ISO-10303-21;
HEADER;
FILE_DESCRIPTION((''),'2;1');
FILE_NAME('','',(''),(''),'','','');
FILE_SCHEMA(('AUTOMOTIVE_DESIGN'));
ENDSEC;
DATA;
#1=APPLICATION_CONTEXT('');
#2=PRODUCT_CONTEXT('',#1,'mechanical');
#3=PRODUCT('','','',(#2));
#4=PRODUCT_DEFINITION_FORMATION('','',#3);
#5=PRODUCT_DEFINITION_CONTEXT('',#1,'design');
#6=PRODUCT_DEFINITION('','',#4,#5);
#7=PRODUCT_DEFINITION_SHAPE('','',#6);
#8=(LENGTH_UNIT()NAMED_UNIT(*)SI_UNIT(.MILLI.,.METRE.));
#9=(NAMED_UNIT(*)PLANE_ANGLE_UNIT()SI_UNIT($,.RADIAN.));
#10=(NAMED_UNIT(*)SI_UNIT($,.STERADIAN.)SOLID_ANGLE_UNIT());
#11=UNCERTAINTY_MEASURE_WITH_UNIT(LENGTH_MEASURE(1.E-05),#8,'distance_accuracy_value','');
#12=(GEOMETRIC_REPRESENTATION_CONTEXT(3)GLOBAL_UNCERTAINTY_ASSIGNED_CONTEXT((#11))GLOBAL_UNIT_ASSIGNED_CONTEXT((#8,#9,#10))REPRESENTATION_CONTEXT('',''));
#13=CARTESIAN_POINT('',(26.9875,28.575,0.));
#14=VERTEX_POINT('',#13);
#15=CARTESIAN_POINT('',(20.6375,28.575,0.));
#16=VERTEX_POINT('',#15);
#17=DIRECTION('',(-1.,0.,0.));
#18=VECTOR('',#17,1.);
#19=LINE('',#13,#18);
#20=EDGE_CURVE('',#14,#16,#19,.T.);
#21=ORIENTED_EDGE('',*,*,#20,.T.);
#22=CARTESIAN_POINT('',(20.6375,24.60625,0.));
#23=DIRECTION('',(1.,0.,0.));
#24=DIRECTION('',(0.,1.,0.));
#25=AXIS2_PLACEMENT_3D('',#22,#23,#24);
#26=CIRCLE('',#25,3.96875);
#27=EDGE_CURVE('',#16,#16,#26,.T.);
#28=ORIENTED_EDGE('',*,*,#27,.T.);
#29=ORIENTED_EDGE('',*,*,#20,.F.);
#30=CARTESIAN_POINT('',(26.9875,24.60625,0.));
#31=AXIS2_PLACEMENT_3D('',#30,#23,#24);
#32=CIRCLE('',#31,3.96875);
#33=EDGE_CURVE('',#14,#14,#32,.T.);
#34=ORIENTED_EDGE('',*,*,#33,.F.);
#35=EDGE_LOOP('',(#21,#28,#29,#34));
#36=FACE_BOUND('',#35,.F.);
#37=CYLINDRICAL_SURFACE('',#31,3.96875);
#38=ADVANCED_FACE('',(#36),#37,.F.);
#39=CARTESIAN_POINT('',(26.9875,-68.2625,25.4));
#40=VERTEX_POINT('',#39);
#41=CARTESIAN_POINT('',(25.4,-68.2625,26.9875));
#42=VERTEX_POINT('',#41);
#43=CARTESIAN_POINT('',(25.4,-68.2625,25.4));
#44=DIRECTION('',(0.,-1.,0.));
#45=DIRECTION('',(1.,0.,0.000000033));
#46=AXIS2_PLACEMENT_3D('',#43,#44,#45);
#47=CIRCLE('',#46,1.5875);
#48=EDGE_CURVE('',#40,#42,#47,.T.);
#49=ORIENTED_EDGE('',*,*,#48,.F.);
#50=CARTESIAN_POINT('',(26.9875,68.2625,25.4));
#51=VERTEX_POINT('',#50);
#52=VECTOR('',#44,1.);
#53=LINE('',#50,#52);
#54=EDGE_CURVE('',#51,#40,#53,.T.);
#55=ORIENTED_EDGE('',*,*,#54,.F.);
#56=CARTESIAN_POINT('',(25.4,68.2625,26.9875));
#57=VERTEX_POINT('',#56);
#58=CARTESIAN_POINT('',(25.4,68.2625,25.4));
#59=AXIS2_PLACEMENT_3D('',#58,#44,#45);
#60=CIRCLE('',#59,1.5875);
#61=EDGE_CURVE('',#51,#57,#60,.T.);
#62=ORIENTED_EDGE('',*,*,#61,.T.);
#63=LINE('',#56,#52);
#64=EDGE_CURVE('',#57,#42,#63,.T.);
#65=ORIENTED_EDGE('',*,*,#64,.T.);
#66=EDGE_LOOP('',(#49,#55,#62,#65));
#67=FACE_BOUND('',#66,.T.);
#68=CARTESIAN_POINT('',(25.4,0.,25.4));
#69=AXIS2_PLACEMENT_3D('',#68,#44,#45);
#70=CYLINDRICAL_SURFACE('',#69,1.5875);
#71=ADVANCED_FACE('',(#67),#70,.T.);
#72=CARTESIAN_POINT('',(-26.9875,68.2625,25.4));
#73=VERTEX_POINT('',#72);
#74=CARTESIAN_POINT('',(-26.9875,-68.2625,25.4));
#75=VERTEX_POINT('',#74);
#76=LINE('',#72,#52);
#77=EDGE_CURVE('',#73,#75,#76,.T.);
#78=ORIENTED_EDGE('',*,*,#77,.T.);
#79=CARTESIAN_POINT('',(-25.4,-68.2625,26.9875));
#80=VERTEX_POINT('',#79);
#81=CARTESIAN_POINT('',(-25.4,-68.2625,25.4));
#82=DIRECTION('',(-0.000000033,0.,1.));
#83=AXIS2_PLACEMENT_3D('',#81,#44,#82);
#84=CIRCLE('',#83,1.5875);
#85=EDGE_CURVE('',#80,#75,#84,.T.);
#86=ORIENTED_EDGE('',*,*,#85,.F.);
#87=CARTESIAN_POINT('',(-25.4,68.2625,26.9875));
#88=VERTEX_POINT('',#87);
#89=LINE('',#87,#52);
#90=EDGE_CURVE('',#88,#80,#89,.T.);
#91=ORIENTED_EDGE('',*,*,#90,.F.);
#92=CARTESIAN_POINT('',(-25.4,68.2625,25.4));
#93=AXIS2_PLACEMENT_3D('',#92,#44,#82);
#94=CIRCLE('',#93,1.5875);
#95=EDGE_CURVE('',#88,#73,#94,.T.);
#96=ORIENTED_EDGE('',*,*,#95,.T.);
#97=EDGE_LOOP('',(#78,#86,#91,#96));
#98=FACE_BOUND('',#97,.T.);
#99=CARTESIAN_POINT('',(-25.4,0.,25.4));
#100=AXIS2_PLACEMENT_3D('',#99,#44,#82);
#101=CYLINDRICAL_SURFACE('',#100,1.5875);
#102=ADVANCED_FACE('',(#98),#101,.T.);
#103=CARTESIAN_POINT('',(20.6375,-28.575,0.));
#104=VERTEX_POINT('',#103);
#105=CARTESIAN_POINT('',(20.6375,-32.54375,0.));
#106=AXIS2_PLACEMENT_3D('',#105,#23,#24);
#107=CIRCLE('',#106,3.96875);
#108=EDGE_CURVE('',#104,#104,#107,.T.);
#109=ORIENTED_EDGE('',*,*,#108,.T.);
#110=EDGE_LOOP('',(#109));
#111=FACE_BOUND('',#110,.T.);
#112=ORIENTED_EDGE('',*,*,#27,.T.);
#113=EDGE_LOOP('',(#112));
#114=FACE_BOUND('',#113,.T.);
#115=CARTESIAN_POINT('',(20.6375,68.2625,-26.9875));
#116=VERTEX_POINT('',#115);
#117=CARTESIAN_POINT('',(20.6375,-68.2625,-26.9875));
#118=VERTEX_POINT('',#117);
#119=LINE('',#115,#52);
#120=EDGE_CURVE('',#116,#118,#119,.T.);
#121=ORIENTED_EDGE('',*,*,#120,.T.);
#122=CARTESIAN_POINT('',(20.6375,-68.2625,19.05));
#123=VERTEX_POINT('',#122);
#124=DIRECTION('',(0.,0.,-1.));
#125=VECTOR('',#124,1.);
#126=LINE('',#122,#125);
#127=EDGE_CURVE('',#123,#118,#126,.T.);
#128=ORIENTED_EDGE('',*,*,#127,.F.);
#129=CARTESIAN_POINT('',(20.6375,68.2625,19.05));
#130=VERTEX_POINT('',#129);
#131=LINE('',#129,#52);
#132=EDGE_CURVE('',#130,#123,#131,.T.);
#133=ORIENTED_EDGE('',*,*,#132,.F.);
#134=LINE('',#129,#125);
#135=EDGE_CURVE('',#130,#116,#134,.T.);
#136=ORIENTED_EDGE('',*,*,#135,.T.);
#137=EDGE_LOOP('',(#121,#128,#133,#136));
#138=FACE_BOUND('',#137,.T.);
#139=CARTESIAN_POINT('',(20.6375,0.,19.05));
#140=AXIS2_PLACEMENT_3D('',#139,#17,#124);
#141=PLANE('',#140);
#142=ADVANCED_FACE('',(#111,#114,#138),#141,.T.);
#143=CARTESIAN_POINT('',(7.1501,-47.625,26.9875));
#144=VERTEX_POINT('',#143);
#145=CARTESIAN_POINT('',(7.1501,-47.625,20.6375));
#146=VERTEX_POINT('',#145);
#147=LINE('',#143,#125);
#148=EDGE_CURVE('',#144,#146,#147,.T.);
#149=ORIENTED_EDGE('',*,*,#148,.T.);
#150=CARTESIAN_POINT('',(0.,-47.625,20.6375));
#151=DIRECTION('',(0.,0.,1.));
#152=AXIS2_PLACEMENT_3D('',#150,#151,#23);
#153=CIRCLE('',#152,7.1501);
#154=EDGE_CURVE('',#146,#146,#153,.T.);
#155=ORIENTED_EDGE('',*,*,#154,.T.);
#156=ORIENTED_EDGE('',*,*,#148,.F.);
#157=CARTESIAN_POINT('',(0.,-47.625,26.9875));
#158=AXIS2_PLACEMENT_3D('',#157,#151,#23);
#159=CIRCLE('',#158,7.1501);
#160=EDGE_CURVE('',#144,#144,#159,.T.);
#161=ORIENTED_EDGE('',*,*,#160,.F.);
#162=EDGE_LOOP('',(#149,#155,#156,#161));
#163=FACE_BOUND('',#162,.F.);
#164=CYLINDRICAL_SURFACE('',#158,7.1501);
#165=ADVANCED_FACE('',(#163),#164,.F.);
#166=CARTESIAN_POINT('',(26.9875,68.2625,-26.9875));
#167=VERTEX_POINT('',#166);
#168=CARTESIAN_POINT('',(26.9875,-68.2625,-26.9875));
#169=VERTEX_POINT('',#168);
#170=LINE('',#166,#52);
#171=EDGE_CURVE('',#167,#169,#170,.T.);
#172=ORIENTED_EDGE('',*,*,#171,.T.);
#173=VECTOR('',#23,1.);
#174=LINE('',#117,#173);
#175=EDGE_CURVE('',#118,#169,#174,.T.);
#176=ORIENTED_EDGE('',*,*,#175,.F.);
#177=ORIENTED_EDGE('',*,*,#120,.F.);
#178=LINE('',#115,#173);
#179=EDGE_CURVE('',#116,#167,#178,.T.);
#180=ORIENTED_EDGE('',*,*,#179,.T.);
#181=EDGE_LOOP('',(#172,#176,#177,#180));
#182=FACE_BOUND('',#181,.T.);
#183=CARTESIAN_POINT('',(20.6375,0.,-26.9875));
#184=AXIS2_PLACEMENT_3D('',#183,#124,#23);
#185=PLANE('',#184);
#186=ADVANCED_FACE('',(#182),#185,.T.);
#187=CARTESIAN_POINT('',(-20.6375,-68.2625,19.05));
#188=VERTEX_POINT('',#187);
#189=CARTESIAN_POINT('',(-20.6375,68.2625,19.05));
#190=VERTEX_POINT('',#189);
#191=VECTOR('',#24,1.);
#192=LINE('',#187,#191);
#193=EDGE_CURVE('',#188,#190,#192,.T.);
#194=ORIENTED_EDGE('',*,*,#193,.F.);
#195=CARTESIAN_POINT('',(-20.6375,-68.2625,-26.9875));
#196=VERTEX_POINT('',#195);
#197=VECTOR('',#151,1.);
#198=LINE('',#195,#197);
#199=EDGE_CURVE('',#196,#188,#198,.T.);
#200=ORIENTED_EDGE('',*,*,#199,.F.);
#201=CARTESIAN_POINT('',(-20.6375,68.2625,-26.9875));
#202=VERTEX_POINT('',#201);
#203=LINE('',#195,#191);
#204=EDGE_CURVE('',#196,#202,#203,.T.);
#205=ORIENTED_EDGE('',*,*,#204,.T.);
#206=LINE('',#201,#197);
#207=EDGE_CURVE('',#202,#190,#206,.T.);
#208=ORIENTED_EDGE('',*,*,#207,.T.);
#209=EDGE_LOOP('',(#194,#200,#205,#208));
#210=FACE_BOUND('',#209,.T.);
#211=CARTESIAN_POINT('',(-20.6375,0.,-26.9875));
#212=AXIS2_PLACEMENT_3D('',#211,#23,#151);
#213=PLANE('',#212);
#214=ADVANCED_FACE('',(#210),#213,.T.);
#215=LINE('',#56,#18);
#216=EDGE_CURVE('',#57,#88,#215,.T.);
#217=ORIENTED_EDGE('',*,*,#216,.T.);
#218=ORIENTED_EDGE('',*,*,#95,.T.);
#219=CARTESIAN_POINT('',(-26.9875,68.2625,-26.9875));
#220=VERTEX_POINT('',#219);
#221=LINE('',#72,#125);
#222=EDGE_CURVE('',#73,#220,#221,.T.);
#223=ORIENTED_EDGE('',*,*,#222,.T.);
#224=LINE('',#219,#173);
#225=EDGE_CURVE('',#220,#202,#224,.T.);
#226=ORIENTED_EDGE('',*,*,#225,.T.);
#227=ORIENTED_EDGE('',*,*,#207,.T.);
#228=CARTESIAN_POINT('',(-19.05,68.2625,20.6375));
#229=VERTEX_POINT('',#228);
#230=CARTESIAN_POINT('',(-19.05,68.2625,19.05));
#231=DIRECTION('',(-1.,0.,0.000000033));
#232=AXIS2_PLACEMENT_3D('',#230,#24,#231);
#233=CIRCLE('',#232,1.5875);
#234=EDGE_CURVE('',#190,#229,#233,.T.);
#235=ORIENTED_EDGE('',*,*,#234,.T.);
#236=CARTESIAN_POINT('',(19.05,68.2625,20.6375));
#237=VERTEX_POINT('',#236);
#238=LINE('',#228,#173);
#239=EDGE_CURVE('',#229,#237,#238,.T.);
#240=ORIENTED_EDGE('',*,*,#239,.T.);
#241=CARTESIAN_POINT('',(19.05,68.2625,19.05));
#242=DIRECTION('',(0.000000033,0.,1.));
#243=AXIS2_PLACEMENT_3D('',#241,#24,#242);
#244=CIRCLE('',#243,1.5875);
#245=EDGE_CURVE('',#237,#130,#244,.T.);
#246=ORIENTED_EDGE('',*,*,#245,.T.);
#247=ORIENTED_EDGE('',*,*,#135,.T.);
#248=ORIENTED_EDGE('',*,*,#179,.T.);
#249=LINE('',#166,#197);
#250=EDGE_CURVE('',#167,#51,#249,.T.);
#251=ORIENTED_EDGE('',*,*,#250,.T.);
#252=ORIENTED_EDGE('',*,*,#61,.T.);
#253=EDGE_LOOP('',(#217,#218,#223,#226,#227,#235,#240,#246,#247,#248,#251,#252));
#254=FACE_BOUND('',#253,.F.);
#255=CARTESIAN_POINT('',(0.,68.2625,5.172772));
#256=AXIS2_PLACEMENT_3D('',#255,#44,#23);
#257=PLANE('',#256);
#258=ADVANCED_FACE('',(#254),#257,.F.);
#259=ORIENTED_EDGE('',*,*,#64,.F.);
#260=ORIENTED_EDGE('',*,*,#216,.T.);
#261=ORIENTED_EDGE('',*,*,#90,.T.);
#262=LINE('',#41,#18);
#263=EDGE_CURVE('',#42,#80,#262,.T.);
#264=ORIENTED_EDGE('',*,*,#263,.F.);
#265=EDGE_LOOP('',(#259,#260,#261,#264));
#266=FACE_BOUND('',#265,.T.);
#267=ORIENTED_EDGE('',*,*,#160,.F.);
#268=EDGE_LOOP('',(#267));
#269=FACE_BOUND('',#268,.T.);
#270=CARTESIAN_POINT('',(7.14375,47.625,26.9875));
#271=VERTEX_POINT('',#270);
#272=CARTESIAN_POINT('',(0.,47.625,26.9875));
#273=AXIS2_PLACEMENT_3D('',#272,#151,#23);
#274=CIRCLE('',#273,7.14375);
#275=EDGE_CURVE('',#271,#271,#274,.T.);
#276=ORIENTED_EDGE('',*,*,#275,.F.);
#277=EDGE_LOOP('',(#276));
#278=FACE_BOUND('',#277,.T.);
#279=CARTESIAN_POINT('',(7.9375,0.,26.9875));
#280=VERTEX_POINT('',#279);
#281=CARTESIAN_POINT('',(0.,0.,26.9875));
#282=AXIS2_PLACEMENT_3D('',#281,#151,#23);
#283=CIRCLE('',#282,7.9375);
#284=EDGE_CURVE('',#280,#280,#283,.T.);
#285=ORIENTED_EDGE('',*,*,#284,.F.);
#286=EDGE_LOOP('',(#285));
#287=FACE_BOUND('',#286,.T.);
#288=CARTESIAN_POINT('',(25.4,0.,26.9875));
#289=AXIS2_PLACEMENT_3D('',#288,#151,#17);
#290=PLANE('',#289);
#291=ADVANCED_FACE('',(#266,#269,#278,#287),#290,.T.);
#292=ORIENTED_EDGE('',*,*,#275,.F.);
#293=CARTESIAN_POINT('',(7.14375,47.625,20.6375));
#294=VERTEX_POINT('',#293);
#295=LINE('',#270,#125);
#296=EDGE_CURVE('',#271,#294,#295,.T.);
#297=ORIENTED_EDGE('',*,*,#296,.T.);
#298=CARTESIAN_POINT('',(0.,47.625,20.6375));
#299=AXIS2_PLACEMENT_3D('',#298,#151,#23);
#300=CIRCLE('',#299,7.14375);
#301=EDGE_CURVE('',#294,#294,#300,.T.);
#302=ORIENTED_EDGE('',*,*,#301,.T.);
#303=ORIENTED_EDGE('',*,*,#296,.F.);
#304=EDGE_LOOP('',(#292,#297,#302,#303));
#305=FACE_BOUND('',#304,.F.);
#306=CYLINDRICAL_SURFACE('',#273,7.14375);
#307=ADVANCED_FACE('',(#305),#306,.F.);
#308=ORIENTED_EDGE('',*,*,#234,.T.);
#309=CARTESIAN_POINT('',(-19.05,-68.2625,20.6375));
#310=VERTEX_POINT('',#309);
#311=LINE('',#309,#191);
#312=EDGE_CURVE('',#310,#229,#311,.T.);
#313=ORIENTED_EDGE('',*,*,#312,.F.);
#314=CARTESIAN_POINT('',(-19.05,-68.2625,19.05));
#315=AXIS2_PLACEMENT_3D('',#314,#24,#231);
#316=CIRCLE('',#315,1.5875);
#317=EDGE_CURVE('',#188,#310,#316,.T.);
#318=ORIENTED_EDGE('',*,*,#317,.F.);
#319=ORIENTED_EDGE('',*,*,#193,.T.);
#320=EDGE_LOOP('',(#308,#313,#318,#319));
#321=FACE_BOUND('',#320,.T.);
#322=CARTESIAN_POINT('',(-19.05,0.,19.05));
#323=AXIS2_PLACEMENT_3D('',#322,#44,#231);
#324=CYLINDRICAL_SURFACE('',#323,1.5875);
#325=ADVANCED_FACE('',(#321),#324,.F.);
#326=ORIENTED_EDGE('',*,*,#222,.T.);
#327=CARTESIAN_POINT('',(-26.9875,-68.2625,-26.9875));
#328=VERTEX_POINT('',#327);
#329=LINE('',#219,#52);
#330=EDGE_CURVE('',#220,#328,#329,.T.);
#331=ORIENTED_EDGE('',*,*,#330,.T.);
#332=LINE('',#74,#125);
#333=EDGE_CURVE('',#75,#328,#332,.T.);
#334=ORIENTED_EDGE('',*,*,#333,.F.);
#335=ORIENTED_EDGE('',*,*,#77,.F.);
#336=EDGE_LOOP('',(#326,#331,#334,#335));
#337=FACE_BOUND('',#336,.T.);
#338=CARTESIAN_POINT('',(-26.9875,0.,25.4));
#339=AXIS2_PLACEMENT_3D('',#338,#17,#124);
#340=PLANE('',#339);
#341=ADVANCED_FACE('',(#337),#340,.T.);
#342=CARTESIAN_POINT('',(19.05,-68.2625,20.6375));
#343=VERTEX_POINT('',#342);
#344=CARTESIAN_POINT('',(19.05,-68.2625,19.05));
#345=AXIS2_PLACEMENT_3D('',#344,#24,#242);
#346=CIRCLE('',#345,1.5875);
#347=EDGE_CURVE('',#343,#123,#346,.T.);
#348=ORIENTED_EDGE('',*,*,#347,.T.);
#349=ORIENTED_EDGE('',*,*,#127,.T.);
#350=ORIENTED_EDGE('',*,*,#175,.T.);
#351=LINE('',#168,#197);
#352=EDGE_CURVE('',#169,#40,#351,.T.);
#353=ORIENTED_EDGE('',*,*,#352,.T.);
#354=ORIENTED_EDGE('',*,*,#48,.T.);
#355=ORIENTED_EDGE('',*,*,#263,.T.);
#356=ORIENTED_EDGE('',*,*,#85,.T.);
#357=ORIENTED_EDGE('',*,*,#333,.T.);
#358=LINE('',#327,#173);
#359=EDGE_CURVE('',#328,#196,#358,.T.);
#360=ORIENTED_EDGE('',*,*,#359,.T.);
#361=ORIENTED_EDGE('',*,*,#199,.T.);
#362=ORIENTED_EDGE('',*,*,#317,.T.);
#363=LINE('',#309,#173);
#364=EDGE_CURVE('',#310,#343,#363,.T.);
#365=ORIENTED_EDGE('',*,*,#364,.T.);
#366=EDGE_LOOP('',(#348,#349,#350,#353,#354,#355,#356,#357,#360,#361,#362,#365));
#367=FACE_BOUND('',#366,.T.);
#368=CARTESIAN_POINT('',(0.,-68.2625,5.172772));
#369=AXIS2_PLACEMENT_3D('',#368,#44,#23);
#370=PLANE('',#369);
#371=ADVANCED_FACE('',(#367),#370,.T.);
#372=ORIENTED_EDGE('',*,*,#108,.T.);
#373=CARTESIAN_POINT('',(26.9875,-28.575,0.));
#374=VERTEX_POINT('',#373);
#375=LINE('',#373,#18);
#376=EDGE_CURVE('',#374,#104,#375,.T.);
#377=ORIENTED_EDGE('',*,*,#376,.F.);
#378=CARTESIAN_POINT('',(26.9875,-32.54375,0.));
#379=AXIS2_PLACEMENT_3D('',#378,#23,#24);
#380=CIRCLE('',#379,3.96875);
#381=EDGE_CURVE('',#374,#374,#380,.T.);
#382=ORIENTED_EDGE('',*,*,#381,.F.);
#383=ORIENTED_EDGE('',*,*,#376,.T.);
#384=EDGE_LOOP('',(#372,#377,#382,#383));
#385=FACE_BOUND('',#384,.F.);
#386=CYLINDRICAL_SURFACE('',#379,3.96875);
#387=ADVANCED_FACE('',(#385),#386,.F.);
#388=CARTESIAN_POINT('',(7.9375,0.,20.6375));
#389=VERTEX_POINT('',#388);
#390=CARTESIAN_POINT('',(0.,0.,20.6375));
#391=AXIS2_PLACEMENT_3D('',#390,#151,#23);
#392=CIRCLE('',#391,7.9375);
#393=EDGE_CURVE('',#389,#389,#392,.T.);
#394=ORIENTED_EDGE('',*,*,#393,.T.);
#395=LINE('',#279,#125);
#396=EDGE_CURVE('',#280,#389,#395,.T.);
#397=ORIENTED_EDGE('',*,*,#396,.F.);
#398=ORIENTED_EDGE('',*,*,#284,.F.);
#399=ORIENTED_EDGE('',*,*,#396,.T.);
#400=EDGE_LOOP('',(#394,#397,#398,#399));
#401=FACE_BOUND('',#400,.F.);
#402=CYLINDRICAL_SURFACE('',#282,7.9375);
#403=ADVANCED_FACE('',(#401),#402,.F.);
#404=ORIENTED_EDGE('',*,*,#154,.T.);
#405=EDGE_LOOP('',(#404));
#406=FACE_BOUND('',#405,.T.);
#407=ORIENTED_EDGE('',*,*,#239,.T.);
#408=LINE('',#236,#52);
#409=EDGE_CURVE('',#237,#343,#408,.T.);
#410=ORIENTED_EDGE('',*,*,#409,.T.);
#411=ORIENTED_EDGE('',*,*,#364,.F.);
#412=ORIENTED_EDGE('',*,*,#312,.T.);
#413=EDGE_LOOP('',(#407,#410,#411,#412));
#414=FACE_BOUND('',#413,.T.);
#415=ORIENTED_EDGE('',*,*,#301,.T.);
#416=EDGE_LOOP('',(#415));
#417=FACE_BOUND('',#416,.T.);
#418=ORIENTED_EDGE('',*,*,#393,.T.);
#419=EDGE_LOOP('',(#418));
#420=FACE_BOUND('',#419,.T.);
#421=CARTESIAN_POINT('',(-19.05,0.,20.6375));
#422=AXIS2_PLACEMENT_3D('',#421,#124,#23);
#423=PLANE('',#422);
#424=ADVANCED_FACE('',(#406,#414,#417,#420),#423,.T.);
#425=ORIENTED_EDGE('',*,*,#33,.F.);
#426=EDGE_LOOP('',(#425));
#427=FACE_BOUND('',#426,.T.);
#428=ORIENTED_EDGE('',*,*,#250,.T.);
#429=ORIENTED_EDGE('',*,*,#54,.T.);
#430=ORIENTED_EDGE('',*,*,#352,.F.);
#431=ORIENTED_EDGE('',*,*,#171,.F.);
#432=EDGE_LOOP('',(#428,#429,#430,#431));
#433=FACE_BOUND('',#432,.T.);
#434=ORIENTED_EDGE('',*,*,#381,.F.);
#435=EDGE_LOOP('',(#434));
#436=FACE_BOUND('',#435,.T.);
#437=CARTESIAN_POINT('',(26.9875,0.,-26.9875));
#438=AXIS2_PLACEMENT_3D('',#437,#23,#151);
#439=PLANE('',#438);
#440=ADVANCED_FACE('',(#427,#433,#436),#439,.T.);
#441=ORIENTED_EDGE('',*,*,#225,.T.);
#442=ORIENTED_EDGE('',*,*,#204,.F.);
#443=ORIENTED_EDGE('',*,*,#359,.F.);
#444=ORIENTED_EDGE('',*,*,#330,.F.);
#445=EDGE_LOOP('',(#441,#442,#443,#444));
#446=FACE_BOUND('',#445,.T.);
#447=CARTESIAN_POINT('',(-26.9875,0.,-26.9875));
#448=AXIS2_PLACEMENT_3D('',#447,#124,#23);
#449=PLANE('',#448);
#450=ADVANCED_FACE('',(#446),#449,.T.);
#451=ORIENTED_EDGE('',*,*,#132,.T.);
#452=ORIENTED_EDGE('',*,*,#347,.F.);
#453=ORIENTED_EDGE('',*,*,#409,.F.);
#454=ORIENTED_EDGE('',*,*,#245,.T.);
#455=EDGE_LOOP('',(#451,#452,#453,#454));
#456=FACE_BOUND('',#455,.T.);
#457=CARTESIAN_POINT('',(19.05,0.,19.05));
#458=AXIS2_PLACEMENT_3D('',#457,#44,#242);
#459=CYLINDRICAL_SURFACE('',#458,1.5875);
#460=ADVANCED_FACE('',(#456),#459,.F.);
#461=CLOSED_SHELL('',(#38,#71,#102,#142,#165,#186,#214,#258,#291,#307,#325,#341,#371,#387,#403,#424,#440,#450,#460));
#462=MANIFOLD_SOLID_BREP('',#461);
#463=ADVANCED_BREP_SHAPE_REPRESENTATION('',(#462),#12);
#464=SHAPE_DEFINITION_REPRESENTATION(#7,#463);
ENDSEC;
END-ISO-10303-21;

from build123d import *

# Parameters (mm, degrees)
F1_DEPTH = 68.2625
F2_R     = 7.9375
F2_R_2   = 7.14375
F2_R_3   = 7.1501
F3_DEPTH = 25.4
F4_R     = 3.96875
F5_DEPTH = 25.4


with BuildPart() as f1:
    # F0 (on Front) → F1 (new body, symmetric)
    with BuildSketch(Plane.XZ):
        with BuildLine():
            Line((-19.05, 20.6375), (19.05, 20.6375))
            ThreePointArc((19.05, 20.6375), (20.172532, 20.172532), (20.6375, 19.05))
            Line((20.6375, 19.05), (20.6375, -20.6375))
            Line((20.6375, -20.6375), (20.6375, -26.9875))
            Line((20.6375, -26.9875), (26.9875, -26.9875))
            Line((26.9875, -26.9875), (26.9875, 25.4))
            ThreePointArc((26.9875, 25.4), (26.522532, 26.522532), (25.4, 26.9875))
            Line((25.4, 26.9875), (-25.4, 26.9875))
            ThreePointArc((-25.4, 26.9875), (-26.522532, 26.522532), (-26.9875, 25.4))
            Line((-26.9875, 25.4), (-26.9875, -26.9875))
            Line((-26.9875, -26.9875), (-20.6375, -26.9875))
            Line((-20.6375, -26.9875), (-20.6375, -20.6375))
            Line((-20.6375, -20.6375), (-20.6375, 19.05))
            ThreePointArc((-20.6375, 19.05), (-20.172532, 20.172532), (-19.05, 20.6375))
        make_face()
    extrude(amount=F1_DEPTH, both=True)

    # F2 (on face) → F3 (cut)
    with BuildSketch(Plane.XY.offset(26.9875)):
        Circle(F2_R)
        with Locations((0, 47.625)):
            Circle(F2_R_2)
        with Locations((0, -47.625)):
            Circle(F2_R_3)
    extrude(amount=-F3_DEPTH, mode=Mode.SUBTRACT)

    # F4 (on face) → F5 (cut)
    with BuildSketch(Plane.YZ.offset(26.9875)):
        with Locations((-32.54375, 0)):
            Circle(F4_R)
        with Locations((24.60625, 0)):
            Circle(F4_R)
    extrude(amount=-F5_DEPTH, mode=Mode.SUBTRACT)


solid = f1.part
